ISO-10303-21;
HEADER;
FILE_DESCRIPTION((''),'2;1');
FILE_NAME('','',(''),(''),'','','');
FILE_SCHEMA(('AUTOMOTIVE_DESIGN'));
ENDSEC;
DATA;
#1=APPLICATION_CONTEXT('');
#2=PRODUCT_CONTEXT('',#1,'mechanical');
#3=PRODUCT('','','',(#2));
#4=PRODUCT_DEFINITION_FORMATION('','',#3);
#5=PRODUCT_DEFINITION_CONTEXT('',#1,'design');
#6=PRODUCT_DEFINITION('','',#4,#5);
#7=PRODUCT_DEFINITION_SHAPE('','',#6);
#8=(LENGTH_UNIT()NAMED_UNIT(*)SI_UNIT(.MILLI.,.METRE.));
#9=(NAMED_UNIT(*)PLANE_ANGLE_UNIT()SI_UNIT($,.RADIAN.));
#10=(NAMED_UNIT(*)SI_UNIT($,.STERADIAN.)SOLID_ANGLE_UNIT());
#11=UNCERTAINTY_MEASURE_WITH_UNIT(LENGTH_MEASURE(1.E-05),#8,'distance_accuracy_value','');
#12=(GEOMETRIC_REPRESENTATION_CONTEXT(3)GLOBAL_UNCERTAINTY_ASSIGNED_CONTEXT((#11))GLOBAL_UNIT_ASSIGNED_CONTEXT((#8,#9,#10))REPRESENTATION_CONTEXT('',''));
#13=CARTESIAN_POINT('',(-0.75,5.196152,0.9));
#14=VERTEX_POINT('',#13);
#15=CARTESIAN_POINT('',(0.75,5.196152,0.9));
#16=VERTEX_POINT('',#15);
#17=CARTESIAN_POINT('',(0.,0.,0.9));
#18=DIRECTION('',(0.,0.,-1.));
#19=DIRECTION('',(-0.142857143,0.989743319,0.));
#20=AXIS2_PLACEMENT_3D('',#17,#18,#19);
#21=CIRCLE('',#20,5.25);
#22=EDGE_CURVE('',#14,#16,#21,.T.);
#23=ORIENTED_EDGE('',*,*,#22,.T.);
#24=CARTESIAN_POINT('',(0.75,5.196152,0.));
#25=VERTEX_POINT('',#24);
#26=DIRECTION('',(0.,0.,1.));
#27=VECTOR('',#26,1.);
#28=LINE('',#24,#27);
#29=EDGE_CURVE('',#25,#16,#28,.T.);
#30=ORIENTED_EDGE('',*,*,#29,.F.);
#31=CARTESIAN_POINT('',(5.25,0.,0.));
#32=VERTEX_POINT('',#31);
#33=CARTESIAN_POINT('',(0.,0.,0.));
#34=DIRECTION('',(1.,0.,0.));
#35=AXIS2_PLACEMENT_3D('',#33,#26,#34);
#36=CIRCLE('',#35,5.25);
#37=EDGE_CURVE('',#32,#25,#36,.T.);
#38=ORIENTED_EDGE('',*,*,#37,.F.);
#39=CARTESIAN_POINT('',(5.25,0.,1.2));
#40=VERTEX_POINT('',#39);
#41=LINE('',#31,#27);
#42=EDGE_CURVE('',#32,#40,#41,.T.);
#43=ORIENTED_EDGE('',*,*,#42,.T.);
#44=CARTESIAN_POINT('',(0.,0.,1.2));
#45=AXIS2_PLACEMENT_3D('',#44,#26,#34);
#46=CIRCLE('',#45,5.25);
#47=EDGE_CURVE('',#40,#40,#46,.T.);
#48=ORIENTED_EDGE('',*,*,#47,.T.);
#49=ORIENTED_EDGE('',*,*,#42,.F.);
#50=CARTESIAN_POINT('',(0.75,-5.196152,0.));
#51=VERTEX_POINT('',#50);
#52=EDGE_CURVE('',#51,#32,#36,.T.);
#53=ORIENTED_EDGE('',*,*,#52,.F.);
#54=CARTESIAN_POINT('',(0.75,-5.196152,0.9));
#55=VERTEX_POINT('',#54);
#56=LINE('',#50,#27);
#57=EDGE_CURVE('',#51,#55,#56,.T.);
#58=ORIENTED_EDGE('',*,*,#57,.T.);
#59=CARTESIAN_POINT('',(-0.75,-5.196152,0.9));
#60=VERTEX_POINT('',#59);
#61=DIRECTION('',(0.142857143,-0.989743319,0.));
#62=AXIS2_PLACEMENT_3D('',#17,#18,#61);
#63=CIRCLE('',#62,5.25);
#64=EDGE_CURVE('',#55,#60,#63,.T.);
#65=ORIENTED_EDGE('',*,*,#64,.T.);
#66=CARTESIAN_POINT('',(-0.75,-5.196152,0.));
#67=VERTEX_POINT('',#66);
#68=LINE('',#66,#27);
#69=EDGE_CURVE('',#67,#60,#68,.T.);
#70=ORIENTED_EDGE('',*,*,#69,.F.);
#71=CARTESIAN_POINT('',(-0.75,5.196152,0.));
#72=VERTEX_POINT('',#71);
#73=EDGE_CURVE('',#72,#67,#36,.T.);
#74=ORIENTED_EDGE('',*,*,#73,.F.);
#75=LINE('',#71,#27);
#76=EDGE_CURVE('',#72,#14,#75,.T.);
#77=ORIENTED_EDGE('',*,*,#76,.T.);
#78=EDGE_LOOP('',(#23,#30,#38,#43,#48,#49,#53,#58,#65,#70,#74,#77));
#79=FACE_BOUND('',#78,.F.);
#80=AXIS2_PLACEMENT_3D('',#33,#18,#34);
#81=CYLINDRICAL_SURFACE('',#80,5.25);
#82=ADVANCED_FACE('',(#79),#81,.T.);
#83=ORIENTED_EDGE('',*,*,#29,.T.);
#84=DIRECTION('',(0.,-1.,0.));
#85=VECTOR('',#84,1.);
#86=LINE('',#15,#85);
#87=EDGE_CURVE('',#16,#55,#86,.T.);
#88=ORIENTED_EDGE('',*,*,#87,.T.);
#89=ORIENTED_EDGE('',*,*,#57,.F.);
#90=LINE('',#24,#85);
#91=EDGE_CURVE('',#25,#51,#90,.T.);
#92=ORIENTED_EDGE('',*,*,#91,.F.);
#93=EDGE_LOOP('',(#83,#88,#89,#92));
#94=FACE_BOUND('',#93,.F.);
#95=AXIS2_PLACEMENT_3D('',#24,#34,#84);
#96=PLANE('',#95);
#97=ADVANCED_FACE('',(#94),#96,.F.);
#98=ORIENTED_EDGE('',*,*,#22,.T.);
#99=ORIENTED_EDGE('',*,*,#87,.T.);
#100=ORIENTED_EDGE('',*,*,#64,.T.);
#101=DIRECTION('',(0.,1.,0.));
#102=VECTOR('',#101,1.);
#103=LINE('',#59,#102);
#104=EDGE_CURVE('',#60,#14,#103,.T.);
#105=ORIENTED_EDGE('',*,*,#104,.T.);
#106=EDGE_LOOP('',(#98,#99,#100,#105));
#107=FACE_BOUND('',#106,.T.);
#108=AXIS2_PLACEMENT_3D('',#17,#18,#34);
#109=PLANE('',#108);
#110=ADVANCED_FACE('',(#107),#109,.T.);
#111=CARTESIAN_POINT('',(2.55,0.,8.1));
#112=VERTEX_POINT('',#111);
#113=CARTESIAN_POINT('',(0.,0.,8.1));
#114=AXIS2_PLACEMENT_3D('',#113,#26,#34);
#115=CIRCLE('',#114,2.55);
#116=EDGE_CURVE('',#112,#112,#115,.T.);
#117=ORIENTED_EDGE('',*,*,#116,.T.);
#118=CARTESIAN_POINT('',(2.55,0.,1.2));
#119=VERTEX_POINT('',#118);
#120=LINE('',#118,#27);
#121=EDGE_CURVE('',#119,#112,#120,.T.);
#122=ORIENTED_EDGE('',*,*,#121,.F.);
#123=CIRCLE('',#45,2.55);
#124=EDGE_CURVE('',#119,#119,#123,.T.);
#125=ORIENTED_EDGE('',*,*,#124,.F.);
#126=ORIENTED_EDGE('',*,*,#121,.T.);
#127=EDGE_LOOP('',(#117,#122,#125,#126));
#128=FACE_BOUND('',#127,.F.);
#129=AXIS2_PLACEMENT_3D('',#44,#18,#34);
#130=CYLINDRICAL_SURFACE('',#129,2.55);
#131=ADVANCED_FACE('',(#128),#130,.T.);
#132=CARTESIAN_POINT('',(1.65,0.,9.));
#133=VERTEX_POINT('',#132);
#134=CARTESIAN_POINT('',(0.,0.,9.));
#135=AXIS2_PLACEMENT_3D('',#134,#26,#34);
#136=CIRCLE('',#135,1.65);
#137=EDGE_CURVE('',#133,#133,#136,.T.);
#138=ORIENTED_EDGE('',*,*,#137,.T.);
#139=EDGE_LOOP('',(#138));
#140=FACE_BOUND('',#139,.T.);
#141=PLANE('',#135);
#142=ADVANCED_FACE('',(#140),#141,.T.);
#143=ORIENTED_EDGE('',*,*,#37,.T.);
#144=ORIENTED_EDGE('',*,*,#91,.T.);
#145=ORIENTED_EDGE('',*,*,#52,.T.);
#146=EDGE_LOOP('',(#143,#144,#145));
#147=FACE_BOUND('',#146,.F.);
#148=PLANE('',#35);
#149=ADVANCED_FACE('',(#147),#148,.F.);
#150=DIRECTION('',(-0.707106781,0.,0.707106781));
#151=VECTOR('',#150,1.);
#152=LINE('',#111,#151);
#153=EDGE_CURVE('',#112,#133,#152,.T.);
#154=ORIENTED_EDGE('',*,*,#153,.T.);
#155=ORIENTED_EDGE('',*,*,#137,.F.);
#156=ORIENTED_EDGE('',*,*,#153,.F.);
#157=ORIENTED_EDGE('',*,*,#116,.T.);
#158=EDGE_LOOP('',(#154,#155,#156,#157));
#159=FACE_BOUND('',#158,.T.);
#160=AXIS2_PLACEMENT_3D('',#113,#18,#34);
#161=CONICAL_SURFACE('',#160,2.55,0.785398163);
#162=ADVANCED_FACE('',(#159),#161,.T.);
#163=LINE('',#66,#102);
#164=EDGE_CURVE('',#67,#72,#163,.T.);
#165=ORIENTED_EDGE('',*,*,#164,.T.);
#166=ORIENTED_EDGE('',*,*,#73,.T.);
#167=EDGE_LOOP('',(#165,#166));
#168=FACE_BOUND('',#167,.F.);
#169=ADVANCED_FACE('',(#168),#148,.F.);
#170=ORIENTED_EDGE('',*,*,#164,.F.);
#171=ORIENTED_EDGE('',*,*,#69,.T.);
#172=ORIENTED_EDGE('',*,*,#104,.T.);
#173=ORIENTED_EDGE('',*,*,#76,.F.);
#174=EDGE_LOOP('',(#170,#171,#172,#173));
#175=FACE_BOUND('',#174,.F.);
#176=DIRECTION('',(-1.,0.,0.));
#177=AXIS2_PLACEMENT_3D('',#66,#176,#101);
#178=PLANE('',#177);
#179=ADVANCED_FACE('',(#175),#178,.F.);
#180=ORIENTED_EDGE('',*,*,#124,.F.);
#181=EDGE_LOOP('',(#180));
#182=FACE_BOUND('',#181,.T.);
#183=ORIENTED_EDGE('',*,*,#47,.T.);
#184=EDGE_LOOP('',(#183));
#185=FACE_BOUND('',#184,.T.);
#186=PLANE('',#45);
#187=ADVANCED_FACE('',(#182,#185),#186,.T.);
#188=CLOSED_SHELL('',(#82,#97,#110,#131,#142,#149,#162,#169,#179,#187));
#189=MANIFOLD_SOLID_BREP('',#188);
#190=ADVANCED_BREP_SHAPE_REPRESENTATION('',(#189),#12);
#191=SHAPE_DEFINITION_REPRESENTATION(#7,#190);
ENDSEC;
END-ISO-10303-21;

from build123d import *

# Parameters (mm, degrees)
F0_R     = 1.75
F1_DEPTH = 0.4
F2_R     = 0.85
F3_DEPTH = 2.6
F5_DEPTH = 0.3
F6_SIZE2 = 0.3
F6_SIZE  = 0.3
F7_SCALE = 3


with BuildPart() as f1:
    # F0 (on Top) → F1 (new body)
    with BuildSketch(Plane.XY):
        Circle(F0_R)
    extrude(amount=F1_DEPTH)

    # F2 (on face) → F3 (join)
    with BuildSketch(Plane.XY.offset(0.4)):
        Circle(F2_R)
    extrude(amount=F3_DEPTH)

    # F4 (on face) → F5 (cut)
    with BuildSketch(Plane(origin=(0, 0, 0), x_dir=(1, 0, 0), z_dir=(0, 0, -1))):
        with BuildLine():
            ThreePointArc((0.25, 1.7320508076), (0, 1.75), (-0.25, 1.7320508076))
            Line((-0.25, 1.7320508076), (-0.25, -1.7320508076))
            ThreePointArc((-0.25, -1.7320508076), (0, -1.75), (0.25, -1.7320508076))
            Line((0.25, -1.7320508076), (0.25, 1.7320508076))
        make_face()
    extrude(amount=-F5_DEPTH, mode=Mode.SUBTRACT)

    # F6
    f6_edges = [f1.edges().sort_by_distance(p)[0] for p in [
        (-0.85, 0, 3),
    ]]
    chamfer(f6_edges, length=F6_SIZE, length2=F6_SIZE2)


with BuildPart() as f1_1:
    # F7: moved
    add(f1.part.scale(F7_SCALE))


solid = f1_1.part
